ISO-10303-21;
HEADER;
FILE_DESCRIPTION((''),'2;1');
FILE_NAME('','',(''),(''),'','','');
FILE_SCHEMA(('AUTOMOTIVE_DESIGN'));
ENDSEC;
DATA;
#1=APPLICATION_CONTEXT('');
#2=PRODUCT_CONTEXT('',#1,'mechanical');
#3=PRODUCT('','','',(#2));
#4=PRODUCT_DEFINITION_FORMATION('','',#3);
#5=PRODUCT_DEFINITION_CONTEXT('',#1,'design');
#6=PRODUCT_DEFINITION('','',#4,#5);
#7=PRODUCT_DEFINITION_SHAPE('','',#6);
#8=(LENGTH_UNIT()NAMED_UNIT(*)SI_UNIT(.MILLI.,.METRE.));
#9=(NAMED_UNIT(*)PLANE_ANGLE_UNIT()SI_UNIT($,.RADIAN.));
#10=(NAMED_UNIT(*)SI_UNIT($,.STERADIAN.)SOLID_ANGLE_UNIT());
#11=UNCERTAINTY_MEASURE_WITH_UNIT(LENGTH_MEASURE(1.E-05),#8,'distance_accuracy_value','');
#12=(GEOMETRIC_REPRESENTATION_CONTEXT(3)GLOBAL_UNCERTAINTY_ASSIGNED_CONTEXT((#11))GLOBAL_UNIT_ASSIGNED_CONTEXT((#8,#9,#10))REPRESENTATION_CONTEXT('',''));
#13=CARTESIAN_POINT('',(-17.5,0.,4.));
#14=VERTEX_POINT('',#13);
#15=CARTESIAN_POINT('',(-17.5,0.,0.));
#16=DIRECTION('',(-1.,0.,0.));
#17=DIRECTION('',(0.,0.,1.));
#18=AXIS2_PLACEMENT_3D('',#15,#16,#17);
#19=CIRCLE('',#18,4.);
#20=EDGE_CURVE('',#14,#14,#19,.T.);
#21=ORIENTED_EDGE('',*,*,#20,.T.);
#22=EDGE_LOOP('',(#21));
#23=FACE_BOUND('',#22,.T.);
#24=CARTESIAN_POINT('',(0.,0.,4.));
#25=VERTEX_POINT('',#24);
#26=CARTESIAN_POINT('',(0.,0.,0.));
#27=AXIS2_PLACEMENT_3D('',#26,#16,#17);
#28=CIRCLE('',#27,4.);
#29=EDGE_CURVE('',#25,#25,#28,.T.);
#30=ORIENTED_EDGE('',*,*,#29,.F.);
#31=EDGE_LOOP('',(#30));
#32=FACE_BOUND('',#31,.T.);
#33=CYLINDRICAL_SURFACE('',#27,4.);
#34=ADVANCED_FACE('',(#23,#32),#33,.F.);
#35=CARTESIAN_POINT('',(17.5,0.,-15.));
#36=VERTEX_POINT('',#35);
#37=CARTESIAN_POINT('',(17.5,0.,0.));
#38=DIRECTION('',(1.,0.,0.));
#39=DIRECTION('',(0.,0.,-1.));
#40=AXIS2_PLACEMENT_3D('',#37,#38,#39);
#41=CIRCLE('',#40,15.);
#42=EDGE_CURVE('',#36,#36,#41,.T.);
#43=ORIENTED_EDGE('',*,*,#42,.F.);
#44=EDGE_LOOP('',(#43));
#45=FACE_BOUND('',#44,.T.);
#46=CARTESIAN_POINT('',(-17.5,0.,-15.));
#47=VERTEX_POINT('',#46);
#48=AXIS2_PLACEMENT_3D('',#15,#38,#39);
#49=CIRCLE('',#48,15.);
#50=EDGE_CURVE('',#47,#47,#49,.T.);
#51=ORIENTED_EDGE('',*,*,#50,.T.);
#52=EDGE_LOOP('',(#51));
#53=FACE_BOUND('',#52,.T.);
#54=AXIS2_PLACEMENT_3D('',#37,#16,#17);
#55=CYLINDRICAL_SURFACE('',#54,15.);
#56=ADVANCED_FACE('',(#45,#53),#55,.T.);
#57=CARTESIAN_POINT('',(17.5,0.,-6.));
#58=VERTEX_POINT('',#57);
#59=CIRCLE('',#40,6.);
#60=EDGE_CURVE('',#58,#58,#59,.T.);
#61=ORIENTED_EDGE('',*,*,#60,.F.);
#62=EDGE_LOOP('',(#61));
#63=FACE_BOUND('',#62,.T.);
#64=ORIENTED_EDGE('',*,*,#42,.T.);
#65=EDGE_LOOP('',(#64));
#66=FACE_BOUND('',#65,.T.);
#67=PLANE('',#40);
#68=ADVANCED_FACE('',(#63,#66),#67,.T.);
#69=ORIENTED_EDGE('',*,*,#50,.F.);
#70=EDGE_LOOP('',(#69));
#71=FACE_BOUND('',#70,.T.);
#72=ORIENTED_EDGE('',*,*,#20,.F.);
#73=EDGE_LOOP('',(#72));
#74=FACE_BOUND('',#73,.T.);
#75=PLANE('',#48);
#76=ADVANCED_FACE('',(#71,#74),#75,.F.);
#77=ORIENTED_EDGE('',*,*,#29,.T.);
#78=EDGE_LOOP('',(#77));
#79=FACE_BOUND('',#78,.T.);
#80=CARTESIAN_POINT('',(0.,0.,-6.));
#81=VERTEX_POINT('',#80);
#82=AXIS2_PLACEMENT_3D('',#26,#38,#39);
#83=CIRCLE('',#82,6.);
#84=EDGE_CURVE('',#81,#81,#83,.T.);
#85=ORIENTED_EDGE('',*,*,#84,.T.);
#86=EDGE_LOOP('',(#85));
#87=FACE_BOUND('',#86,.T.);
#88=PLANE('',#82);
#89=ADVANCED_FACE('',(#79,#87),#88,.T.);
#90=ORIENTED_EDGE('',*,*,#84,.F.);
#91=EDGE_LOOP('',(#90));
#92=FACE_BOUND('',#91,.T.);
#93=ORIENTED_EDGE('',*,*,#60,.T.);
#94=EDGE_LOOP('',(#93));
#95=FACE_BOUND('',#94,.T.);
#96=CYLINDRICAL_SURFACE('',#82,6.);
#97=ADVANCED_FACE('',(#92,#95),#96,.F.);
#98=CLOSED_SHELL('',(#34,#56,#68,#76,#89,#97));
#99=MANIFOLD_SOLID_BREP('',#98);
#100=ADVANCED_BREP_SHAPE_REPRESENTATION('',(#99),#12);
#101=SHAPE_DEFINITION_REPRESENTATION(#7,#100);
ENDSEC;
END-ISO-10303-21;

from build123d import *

# Parameters (mm, degrees)
SKETCH1_R           = 15
BOSS_EXTRUDE1_DEPTH = 17.5
SKETCH2_R           = 6
CUT_EXTRUDE1_DEPTH  = 17.5
SKETCH3_R           = 4
CUT_EXTRUDE2_DEPTH  = 17.5


with BuildPart() as part:
    # Sketch1 → Boss-Extrude1 (new, symmetric)
    with BuildSketch(Plane(origin=(0, 0, 0), x_dir=(0, 0, -1), z_dir=(1, 0, 0))):
        Circle(SKETCH1_R)
    extrude(amount=BOSS_EXTRUDE1_DEPTH, both=True)

    # Sketch2 → Cut-Extrude1 (cut)
    with BuildSketch(Plane(origin=(17.5, 0, 0), x_dir=(0, 0, -1), z_dir=(1, 0, 0))):
        Circle(SKETCH2_R)
    extrude(amount=-CUT_EXTRUDE1_DEPTH, mode=Mode.SUBTRACT)

    # Sketch3 → Cut-Extrude2 (cut)
    with BuildSketch(Plane.ZY.offset(17.5)):
        Circle(SKETCH3_R)
    extrude(amount=-CUT_EXTRUDE2_DEPTH, mode=Mode.SUBTRACT)


solid = part.part
